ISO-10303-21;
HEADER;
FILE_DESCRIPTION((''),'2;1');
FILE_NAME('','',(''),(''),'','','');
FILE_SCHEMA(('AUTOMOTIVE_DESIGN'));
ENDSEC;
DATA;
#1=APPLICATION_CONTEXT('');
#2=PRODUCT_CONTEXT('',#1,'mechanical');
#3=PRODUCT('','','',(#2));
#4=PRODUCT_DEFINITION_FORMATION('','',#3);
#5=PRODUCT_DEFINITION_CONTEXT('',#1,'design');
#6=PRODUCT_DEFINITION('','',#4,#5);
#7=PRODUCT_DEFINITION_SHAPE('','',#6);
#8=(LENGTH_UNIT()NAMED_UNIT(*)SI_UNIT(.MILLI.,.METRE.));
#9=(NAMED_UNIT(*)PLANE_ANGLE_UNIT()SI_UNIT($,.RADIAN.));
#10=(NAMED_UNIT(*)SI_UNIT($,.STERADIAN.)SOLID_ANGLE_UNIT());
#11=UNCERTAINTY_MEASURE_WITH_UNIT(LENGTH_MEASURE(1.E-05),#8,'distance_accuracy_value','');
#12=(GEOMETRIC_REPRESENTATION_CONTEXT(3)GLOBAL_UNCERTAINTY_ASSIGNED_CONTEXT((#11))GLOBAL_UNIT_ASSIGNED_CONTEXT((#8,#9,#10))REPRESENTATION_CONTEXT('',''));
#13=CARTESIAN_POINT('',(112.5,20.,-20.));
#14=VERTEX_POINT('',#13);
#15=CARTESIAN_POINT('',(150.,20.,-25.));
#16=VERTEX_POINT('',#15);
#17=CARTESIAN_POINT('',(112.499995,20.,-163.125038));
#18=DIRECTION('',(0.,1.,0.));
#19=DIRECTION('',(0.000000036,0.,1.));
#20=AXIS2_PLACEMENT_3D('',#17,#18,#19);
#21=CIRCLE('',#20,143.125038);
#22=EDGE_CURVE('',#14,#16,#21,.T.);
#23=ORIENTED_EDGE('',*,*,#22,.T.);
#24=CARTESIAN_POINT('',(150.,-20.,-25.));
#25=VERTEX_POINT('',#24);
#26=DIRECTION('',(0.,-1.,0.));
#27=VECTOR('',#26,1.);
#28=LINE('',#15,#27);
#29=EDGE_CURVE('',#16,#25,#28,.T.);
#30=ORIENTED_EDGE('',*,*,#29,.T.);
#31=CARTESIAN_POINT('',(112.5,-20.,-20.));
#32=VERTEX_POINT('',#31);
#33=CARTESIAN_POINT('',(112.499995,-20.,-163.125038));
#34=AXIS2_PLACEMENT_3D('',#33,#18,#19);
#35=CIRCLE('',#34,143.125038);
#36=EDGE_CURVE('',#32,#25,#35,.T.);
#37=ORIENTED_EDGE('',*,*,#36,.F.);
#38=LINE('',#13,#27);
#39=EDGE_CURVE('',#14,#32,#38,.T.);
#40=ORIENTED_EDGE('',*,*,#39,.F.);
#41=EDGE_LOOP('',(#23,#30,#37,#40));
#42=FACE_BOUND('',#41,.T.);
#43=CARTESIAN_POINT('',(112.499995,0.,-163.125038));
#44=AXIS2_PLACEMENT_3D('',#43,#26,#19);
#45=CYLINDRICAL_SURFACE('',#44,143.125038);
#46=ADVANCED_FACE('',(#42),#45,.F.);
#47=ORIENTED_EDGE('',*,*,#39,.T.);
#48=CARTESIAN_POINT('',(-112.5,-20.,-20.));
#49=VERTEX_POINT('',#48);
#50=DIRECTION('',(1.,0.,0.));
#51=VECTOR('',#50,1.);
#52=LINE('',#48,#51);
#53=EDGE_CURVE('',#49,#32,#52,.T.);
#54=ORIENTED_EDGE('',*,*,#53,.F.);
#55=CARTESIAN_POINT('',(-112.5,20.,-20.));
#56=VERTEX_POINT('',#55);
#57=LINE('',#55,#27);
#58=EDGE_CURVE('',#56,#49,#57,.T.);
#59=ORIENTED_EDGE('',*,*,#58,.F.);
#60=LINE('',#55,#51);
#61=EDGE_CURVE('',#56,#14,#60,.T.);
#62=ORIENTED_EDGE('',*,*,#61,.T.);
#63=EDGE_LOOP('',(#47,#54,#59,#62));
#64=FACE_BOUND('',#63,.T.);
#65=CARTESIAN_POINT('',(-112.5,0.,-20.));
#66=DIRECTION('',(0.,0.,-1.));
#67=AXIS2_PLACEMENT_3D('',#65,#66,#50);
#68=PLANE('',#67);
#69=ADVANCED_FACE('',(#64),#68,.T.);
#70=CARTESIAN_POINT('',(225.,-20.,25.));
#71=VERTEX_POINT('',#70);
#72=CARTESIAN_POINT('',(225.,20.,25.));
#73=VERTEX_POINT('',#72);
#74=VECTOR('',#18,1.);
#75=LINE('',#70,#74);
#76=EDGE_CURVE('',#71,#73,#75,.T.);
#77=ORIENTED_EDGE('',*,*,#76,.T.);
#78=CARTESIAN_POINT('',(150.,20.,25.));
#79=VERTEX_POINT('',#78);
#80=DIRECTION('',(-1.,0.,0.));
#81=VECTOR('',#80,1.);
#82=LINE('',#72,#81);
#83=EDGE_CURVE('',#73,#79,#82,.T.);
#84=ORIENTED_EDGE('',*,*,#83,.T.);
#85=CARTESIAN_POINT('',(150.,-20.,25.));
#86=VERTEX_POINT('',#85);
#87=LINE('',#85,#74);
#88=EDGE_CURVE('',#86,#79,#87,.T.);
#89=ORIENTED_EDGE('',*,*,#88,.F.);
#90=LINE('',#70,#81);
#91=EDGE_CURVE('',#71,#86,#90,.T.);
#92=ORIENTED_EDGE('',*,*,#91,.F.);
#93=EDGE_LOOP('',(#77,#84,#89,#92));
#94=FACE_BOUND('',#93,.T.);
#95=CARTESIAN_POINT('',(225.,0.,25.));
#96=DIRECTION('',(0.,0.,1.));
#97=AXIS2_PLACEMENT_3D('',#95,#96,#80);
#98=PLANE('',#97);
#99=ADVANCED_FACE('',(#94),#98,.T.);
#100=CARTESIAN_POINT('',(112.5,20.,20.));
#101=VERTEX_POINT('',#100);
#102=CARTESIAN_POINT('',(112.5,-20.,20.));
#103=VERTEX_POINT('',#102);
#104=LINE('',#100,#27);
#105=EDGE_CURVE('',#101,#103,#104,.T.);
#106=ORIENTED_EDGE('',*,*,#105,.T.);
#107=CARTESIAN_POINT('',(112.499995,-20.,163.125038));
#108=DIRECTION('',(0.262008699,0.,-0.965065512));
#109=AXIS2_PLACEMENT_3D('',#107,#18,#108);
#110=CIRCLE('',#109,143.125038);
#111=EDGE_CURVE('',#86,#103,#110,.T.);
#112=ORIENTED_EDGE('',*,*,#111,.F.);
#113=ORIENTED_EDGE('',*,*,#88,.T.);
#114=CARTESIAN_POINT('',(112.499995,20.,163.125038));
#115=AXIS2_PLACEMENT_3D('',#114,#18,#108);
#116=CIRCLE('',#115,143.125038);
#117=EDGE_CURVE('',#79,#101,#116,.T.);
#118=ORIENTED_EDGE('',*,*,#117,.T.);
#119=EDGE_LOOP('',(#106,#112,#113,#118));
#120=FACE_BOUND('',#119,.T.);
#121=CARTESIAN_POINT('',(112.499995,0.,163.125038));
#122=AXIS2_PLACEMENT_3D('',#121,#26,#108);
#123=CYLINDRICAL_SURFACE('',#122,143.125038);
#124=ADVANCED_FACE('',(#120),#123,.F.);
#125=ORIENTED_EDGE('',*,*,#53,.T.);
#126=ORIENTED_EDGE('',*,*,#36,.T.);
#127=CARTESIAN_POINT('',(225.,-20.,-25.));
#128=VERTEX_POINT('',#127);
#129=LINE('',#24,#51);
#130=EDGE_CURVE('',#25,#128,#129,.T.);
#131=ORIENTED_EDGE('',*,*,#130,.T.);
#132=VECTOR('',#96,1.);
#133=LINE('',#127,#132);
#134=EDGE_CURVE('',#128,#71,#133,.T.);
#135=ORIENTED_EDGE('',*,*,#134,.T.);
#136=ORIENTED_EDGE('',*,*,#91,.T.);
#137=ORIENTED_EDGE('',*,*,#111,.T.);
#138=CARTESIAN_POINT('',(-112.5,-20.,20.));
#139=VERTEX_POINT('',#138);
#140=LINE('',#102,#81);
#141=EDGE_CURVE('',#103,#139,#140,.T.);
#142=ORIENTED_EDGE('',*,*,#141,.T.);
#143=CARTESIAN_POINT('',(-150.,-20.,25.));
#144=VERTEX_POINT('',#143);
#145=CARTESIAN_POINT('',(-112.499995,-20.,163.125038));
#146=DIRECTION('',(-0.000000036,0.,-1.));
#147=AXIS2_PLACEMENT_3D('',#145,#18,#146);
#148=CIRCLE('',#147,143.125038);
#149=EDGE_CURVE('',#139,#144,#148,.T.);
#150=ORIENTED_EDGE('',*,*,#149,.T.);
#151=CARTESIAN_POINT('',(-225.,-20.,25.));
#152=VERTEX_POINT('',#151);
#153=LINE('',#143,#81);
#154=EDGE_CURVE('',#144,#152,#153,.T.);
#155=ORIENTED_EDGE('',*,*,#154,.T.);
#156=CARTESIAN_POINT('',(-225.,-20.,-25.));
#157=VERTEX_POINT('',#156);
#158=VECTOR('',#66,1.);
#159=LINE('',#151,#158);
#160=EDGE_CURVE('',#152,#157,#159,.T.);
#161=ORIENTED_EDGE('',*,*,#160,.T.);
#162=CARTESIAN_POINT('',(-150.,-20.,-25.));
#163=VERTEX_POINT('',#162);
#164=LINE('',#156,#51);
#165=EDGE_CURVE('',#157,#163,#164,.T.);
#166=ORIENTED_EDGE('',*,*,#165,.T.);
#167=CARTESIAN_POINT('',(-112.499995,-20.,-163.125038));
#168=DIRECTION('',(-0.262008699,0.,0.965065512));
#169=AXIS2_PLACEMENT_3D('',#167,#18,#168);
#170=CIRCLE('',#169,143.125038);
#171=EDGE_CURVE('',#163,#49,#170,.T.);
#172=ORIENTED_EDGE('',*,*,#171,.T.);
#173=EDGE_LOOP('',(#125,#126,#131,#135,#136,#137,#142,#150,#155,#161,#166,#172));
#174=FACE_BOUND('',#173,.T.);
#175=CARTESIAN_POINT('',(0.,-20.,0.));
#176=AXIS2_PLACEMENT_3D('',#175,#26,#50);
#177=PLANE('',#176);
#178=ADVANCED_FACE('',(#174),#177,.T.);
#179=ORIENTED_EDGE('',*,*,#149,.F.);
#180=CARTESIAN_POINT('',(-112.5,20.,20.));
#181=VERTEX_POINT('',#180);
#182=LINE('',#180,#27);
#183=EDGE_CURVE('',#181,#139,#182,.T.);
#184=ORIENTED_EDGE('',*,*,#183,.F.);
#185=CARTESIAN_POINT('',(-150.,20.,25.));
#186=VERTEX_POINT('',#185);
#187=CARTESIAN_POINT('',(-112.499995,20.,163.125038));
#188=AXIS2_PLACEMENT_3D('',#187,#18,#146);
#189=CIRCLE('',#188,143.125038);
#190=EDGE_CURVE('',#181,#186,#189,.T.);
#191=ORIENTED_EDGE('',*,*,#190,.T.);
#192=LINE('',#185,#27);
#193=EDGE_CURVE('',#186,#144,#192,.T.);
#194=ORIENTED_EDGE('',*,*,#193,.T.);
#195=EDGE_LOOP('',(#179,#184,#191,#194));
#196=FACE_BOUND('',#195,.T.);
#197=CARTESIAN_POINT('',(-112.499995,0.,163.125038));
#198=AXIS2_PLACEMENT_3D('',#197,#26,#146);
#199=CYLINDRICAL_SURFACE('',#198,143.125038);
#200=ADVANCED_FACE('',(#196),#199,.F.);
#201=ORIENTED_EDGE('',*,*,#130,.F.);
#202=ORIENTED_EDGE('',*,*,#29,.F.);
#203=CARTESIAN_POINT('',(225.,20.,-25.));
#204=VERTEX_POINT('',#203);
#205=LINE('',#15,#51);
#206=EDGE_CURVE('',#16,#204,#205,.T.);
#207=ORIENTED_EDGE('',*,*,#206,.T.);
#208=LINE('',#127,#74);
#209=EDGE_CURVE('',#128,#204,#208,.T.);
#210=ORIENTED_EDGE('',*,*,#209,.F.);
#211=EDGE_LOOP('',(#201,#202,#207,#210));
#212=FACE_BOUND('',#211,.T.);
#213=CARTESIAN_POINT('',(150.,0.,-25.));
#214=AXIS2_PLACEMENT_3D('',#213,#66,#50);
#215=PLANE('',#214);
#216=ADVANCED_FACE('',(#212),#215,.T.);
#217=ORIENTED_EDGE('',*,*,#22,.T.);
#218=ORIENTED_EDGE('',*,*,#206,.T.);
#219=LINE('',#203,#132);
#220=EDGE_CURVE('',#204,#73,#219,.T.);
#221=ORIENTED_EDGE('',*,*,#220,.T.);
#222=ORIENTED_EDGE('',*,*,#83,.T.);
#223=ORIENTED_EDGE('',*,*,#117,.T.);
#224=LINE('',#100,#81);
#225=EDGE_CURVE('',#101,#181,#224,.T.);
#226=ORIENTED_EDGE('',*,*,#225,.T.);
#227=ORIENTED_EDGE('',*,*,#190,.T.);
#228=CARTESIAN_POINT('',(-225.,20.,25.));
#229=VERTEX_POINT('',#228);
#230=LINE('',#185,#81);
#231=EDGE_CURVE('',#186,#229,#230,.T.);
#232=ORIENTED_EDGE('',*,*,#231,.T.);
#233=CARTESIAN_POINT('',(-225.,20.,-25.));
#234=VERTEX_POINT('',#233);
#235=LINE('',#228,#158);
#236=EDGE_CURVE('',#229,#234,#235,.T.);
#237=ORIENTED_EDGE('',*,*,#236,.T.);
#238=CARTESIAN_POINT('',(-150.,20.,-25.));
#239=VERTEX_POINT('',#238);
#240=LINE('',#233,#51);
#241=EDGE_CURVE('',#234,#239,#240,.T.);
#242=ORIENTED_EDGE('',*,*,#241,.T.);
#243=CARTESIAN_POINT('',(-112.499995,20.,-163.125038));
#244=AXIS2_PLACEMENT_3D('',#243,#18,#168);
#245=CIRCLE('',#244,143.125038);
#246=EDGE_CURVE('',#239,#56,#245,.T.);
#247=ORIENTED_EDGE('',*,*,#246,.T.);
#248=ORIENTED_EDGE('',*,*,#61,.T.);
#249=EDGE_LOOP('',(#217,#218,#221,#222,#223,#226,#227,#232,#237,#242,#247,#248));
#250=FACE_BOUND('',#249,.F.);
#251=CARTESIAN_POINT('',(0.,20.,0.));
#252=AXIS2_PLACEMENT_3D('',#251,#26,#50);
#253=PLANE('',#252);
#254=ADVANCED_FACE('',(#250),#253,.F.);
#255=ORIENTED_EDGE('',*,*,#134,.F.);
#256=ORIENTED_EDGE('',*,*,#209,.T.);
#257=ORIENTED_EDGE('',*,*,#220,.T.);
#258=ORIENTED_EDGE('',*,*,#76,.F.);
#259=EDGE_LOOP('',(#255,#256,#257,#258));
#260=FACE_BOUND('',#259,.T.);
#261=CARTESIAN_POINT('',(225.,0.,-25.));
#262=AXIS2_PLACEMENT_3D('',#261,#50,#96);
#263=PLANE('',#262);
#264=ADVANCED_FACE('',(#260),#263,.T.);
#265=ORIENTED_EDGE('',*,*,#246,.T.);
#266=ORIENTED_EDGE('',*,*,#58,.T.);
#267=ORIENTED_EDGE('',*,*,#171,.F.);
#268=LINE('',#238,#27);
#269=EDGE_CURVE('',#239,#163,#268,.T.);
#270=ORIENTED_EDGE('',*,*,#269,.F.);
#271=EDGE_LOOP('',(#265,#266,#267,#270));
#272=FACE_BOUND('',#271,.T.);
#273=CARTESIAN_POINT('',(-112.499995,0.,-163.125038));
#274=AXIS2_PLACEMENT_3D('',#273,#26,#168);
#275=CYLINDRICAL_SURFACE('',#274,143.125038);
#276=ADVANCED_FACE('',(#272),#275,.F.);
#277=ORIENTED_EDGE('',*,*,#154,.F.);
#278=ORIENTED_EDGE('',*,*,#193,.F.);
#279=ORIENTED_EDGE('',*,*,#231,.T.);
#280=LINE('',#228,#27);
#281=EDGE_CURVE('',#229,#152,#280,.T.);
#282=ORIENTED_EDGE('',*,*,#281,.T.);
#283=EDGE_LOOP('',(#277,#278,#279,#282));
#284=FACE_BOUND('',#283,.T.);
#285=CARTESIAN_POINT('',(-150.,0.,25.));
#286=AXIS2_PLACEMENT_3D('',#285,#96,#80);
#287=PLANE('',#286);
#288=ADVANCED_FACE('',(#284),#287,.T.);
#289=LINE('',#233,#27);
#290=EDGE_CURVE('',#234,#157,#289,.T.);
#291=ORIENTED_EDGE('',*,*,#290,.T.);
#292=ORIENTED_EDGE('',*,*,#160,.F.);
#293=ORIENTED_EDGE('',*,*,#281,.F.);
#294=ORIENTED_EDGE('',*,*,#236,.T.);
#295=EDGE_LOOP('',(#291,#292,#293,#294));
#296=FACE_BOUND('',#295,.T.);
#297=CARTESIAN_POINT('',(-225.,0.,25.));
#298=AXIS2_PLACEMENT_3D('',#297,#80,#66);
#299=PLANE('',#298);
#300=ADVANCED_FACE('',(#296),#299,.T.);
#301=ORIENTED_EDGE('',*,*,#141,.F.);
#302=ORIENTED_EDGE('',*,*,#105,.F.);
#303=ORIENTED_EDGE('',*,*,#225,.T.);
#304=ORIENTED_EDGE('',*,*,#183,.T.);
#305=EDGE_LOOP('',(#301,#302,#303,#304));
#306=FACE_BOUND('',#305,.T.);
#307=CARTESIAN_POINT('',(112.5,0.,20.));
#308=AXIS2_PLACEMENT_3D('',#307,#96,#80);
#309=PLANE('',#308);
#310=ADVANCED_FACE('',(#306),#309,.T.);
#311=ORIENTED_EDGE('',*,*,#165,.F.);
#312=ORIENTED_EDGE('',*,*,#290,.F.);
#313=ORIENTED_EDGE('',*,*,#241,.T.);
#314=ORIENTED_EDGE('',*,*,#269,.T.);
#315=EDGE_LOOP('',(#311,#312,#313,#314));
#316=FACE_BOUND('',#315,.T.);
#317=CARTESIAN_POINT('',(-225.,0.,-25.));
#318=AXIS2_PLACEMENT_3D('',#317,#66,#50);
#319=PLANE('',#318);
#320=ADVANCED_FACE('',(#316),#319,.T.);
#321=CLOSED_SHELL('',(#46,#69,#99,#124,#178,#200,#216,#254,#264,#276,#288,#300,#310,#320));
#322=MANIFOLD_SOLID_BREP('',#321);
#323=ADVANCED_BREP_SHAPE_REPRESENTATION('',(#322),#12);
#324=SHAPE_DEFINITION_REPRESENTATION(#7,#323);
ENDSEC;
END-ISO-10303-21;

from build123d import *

# Parameters (mm, degrees)
F1_DEPTH = 20


with BuildPart() as f1:
    # F0 (on Front) → F1 (new body, symmetric)
    with BuildSketch(Plane.XZ):
        with BuildLine():
            ThreePointArc((150, 25), (131.415932, 21.255507), (112.5, 20))
            Line((112.5, 20), (0, 20))
            Line((0, 20), (-112.5, 20))
            ThreePointArc((-112.5, 20), (-131.415932, 21.255507), (-150, 25))
            Line((-150, 25), (-225, 25))
            Line((-225, 25), (-225, 0))
            Line((-225, 0), (-225, -25))
            Line((-225, -25), (-150, -25))
            ThreePointArc((-150, -25), (-131.415932, -21.255507), (-112.5, -20))
            Line((-112.5, -20), (0, -20))
            Line((0, -20), (112.5, -20))
            ThreePointArc((112.5, -20), (131.415932, -21.255507), (150, -25))
            Line((150, -25), (225, -25))
            Line((225, -25), (225, 0))
            Line((225, 0), (225, 25))
            Line((225, 25), (150, 25))
        make_face()
    extrude(amount=F1_DEPTH, both=True)


solid = f1.part
